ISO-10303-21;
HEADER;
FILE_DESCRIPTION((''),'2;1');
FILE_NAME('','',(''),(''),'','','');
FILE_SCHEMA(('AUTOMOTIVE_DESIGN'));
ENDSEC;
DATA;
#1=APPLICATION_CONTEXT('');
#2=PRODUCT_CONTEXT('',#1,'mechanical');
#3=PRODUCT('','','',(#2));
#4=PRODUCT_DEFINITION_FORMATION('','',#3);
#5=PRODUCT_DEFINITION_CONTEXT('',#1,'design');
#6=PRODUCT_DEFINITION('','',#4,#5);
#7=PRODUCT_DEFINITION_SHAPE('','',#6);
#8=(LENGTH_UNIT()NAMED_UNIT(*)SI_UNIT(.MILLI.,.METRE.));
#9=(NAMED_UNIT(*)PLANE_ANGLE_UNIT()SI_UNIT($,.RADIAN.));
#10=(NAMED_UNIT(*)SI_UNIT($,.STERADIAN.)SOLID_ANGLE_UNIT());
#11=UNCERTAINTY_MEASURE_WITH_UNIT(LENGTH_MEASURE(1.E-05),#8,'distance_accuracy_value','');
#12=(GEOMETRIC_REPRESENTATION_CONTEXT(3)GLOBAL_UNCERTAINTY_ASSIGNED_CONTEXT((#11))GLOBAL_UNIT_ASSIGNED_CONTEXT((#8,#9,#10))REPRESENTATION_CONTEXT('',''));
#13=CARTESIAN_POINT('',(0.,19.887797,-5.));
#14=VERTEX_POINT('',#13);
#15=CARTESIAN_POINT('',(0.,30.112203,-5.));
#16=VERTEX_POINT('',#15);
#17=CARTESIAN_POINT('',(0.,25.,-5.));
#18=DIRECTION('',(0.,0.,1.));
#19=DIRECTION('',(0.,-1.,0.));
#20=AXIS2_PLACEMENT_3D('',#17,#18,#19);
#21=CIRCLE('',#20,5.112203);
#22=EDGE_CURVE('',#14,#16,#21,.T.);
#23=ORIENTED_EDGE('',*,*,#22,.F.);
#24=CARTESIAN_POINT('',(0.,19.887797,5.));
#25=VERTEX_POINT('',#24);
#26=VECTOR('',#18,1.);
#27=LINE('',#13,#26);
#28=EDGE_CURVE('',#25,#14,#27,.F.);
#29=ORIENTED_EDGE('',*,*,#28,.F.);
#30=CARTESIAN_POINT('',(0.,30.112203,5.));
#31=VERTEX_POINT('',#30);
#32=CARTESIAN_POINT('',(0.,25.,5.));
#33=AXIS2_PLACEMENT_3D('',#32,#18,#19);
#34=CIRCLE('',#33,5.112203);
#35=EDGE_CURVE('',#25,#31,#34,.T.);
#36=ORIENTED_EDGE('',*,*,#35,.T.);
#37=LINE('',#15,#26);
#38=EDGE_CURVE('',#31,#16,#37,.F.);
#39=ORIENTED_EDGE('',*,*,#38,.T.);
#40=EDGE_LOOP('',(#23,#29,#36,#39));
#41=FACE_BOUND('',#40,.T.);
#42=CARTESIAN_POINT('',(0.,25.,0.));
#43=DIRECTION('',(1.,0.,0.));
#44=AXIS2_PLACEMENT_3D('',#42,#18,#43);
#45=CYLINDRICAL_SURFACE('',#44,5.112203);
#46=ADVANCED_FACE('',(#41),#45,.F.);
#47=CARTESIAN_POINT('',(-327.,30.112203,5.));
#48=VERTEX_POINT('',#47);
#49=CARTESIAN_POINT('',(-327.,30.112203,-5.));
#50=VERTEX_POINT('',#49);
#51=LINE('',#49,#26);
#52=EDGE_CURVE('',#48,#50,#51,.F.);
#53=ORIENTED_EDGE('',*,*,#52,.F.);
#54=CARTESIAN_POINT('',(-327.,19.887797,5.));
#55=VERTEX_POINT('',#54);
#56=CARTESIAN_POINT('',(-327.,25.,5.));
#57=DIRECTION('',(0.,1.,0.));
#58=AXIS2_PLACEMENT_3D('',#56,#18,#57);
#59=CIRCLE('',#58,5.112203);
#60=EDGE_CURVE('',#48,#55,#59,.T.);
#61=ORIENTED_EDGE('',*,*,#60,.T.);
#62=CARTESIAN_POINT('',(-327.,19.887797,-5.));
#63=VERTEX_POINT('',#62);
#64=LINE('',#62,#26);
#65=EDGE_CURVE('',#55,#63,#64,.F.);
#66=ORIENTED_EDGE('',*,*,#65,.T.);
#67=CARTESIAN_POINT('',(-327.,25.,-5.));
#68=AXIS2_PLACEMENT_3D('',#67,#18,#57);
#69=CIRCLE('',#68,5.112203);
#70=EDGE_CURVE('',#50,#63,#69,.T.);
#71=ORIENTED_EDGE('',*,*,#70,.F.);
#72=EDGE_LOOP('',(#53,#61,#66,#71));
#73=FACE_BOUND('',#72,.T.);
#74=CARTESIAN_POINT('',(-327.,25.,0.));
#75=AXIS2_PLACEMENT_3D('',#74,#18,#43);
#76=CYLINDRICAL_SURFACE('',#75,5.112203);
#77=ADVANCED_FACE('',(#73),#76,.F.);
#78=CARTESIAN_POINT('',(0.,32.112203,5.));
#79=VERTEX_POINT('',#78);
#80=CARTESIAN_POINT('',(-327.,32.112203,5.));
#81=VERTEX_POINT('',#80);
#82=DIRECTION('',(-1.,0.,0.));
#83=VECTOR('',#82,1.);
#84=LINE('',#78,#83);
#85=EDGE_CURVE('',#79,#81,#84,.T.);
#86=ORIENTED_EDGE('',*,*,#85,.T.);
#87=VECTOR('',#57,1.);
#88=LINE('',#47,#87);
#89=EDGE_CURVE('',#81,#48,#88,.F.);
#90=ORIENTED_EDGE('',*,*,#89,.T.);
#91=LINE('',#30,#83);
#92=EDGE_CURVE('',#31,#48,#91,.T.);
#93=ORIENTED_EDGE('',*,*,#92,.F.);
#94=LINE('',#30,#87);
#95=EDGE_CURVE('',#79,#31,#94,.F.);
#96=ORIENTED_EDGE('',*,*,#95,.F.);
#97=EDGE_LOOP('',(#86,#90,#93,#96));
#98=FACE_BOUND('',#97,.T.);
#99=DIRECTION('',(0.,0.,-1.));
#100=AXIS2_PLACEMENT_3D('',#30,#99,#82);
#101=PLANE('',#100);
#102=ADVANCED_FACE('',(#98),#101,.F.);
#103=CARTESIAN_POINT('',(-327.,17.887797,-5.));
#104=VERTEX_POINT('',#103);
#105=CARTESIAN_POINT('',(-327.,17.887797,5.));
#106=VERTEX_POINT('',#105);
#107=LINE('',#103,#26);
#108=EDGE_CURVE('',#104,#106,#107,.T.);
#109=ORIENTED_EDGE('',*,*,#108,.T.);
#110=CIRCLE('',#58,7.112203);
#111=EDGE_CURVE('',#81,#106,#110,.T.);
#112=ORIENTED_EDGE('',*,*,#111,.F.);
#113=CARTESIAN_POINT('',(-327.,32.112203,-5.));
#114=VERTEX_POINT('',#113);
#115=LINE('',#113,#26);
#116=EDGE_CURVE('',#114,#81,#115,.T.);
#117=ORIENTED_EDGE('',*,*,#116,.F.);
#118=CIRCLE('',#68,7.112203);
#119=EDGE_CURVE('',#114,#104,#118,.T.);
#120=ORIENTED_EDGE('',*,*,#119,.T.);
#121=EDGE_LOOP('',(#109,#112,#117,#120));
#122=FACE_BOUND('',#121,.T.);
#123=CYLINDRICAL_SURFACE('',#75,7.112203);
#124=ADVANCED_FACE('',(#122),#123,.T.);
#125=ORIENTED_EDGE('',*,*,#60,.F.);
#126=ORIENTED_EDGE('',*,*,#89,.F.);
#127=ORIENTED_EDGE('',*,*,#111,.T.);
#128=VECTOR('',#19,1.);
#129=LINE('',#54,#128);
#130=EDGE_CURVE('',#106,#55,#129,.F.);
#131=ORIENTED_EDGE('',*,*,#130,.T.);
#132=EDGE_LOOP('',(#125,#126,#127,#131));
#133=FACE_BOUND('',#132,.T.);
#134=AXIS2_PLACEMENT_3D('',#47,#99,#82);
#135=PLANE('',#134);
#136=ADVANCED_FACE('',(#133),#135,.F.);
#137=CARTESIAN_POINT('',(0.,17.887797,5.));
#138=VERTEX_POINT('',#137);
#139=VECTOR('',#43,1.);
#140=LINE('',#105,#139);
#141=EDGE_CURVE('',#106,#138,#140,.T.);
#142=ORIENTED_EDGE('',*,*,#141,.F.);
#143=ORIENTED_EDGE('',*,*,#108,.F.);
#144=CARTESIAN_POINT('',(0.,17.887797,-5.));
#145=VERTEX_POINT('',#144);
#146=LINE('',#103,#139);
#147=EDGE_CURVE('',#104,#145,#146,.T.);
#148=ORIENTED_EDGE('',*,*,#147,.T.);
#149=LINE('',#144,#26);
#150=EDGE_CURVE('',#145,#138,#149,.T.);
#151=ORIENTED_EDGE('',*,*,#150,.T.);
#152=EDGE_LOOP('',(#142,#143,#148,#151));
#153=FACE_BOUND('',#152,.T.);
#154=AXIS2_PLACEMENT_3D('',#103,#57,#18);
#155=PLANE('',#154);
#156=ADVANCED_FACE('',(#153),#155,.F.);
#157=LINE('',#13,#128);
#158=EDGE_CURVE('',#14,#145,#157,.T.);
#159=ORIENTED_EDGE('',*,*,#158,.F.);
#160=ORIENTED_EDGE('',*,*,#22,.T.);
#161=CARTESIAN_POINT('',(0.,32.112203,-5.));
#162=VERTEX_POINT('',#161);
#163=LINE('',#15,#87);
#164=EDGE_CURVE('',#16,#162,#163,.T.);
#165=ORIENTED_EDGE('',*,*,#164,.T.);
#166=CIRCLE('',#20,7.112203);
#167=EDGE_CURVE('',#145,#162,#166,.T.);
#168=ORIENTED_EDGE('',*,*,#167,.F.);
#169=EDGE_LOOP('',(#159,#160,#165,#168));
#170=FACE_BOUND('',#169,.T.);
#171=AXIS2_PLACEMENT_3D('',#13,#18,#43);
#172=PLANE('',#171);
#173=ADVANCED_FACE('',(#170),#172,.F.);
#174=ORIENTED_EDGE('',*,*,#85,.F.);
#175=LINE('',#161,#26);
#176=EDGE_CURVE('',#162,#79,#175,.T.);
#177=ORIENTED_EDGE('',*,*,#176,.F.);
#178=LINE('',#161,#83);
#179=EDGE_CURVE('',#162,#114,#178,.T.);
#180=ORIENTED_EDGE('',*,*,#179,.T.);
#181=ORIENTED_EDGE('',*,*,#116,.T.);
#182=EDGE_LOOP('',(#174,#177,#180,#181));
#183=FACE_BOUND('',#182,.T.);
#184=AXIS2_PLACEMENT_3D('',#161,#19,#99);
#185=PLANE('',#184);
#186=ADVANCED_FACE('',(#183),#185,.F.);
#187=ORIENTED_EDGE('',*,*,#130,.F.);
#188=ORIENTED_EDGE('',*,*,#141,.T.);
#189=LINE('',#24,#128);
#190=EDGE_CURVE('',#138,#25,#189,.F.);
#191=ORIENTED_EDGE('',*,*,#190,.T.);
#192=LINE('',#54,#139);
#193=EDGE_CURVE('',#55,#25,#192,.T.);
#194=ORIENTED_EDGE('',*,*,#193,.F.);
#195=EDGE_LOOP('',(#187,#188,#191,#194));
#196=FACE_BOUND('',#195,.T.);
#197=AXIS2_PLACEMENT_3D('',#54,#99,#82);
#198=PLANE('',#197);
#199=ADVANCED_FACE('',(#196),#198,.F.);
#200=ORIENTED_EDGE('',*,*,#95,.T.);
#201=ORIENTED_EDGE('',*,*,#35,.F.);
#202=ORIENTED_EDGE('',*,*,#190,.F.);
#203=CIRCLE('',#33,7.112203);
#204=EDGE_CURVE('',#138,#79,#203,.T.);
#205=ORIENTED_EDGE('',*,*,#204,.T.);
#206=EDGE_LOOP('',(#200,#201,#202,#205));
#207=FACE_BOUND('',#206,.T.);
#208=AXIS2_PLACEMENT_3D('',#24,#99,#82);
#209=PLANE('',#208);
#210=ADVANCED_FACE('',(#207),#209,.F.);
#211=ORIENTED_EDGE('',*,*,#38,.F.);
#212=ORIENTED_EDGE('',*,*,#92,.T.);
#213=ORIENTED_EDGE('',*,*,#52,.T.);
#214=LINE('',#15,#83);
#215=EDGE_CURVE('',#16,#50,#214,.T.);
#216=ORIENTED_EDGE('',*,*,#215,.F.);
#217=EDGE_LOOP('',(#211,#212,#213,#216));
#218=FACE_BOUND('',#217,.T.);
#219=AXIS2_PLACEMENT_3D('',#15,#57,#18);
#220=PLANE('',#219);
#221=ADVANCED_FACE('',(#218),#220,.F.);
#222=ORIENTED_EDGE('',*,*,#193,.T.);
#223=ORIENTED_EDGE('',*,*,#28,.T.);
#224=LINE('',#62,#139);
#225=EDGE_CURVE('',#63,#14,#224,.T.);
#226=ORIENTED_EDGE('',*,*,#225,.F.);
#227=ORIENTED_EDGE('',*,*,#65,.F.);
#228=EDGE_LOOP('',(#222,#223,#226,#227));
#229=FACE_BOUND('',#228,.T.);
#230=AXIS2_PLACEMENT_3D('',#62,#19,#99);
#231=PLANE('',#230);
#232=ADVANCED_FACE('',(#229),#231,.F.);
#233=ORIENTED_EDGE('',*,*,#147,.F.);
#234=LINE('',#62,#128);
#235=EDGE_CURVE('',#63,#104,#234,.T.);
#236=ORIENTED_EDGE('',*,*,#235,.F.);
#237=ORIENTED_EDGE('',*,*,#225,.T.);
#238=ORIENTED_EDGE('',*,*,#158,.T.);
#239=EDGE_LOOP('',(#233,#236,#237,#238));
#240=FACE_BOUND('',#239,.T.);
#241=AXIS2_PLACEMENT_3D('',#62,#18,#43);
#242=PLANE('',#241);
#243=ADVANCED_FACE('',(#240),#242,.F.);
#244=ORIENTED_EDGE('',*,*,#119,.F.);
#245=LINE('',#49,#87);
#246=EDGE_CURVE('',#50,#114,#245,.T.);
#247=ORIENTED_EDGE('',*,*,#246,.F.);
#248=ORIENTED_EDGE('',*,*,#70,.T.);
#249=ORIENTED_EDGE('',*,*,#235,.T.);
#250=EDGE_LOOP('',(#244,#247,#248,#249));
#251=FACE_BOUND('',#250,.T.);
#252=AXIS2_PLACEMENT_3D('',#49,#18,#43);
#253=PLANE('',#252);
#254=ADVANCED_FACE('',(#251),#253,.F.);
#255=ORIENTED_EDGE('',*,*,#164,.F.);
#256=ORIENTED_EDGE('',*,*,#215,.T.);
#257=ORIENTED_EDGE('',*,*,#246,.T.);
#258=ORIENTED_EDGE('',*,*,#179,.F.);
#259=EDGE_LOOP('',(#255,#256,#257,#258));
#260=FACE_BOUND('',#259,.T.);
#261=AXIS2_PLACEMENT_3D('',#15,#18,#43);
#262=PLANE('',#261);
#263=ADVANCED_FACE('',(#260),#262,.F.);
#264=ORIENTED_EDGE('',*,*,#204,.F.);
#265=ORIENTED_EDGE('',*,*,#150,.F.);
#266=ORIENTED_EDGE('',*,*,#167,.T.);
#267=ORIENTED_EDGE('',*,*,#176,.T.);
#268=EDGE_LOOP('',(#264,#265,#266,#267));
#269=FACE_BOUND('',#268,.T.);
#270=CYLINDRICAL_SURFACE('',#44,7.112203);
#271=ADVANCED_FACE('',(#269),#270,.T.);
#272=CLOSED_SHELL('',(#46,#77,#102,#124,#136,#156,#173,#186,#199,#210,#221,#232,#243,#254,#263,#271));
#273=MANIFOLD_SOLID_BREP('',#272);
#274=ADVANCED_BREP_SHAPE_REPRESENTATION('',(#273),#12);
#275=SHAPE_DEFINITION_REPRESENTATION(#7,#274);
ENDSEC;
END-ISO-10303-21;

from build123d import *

# Parameters (mm, degrees)
SKETCH3_W = 10
SKETCH3_H = 2


with BuildPart() as part:
    # Sweep1: sweep along a path in Sketch2
    with BuildLine(Plane.XY) as sweep1_path:
        Line((0, 18.887796899), (-327, 18.887796899))
        ThreePointArc((-327, 18.887796899), (-333.112203101, 25), (-327, 31.112203101))
        Line((-327, 31.112203101), (0, 31.112203101))
        ThreePointArc((0, 31.112203101), (6.112203101, 25), (0, 18.887796899))
    # Sketch3 → Sweep1 (sweep)
    with BuildSketch(Plane(origin=(0, 0, 0), x_dir=(0, 0, -1), z_dir=(1, 0, 0))):
        with Locations((0, 31.112203101)):
            Rectangle(SKETCH3_W, SKETCH3_H)
    sweep(path=sweep1_path.line)


solid = part.part
